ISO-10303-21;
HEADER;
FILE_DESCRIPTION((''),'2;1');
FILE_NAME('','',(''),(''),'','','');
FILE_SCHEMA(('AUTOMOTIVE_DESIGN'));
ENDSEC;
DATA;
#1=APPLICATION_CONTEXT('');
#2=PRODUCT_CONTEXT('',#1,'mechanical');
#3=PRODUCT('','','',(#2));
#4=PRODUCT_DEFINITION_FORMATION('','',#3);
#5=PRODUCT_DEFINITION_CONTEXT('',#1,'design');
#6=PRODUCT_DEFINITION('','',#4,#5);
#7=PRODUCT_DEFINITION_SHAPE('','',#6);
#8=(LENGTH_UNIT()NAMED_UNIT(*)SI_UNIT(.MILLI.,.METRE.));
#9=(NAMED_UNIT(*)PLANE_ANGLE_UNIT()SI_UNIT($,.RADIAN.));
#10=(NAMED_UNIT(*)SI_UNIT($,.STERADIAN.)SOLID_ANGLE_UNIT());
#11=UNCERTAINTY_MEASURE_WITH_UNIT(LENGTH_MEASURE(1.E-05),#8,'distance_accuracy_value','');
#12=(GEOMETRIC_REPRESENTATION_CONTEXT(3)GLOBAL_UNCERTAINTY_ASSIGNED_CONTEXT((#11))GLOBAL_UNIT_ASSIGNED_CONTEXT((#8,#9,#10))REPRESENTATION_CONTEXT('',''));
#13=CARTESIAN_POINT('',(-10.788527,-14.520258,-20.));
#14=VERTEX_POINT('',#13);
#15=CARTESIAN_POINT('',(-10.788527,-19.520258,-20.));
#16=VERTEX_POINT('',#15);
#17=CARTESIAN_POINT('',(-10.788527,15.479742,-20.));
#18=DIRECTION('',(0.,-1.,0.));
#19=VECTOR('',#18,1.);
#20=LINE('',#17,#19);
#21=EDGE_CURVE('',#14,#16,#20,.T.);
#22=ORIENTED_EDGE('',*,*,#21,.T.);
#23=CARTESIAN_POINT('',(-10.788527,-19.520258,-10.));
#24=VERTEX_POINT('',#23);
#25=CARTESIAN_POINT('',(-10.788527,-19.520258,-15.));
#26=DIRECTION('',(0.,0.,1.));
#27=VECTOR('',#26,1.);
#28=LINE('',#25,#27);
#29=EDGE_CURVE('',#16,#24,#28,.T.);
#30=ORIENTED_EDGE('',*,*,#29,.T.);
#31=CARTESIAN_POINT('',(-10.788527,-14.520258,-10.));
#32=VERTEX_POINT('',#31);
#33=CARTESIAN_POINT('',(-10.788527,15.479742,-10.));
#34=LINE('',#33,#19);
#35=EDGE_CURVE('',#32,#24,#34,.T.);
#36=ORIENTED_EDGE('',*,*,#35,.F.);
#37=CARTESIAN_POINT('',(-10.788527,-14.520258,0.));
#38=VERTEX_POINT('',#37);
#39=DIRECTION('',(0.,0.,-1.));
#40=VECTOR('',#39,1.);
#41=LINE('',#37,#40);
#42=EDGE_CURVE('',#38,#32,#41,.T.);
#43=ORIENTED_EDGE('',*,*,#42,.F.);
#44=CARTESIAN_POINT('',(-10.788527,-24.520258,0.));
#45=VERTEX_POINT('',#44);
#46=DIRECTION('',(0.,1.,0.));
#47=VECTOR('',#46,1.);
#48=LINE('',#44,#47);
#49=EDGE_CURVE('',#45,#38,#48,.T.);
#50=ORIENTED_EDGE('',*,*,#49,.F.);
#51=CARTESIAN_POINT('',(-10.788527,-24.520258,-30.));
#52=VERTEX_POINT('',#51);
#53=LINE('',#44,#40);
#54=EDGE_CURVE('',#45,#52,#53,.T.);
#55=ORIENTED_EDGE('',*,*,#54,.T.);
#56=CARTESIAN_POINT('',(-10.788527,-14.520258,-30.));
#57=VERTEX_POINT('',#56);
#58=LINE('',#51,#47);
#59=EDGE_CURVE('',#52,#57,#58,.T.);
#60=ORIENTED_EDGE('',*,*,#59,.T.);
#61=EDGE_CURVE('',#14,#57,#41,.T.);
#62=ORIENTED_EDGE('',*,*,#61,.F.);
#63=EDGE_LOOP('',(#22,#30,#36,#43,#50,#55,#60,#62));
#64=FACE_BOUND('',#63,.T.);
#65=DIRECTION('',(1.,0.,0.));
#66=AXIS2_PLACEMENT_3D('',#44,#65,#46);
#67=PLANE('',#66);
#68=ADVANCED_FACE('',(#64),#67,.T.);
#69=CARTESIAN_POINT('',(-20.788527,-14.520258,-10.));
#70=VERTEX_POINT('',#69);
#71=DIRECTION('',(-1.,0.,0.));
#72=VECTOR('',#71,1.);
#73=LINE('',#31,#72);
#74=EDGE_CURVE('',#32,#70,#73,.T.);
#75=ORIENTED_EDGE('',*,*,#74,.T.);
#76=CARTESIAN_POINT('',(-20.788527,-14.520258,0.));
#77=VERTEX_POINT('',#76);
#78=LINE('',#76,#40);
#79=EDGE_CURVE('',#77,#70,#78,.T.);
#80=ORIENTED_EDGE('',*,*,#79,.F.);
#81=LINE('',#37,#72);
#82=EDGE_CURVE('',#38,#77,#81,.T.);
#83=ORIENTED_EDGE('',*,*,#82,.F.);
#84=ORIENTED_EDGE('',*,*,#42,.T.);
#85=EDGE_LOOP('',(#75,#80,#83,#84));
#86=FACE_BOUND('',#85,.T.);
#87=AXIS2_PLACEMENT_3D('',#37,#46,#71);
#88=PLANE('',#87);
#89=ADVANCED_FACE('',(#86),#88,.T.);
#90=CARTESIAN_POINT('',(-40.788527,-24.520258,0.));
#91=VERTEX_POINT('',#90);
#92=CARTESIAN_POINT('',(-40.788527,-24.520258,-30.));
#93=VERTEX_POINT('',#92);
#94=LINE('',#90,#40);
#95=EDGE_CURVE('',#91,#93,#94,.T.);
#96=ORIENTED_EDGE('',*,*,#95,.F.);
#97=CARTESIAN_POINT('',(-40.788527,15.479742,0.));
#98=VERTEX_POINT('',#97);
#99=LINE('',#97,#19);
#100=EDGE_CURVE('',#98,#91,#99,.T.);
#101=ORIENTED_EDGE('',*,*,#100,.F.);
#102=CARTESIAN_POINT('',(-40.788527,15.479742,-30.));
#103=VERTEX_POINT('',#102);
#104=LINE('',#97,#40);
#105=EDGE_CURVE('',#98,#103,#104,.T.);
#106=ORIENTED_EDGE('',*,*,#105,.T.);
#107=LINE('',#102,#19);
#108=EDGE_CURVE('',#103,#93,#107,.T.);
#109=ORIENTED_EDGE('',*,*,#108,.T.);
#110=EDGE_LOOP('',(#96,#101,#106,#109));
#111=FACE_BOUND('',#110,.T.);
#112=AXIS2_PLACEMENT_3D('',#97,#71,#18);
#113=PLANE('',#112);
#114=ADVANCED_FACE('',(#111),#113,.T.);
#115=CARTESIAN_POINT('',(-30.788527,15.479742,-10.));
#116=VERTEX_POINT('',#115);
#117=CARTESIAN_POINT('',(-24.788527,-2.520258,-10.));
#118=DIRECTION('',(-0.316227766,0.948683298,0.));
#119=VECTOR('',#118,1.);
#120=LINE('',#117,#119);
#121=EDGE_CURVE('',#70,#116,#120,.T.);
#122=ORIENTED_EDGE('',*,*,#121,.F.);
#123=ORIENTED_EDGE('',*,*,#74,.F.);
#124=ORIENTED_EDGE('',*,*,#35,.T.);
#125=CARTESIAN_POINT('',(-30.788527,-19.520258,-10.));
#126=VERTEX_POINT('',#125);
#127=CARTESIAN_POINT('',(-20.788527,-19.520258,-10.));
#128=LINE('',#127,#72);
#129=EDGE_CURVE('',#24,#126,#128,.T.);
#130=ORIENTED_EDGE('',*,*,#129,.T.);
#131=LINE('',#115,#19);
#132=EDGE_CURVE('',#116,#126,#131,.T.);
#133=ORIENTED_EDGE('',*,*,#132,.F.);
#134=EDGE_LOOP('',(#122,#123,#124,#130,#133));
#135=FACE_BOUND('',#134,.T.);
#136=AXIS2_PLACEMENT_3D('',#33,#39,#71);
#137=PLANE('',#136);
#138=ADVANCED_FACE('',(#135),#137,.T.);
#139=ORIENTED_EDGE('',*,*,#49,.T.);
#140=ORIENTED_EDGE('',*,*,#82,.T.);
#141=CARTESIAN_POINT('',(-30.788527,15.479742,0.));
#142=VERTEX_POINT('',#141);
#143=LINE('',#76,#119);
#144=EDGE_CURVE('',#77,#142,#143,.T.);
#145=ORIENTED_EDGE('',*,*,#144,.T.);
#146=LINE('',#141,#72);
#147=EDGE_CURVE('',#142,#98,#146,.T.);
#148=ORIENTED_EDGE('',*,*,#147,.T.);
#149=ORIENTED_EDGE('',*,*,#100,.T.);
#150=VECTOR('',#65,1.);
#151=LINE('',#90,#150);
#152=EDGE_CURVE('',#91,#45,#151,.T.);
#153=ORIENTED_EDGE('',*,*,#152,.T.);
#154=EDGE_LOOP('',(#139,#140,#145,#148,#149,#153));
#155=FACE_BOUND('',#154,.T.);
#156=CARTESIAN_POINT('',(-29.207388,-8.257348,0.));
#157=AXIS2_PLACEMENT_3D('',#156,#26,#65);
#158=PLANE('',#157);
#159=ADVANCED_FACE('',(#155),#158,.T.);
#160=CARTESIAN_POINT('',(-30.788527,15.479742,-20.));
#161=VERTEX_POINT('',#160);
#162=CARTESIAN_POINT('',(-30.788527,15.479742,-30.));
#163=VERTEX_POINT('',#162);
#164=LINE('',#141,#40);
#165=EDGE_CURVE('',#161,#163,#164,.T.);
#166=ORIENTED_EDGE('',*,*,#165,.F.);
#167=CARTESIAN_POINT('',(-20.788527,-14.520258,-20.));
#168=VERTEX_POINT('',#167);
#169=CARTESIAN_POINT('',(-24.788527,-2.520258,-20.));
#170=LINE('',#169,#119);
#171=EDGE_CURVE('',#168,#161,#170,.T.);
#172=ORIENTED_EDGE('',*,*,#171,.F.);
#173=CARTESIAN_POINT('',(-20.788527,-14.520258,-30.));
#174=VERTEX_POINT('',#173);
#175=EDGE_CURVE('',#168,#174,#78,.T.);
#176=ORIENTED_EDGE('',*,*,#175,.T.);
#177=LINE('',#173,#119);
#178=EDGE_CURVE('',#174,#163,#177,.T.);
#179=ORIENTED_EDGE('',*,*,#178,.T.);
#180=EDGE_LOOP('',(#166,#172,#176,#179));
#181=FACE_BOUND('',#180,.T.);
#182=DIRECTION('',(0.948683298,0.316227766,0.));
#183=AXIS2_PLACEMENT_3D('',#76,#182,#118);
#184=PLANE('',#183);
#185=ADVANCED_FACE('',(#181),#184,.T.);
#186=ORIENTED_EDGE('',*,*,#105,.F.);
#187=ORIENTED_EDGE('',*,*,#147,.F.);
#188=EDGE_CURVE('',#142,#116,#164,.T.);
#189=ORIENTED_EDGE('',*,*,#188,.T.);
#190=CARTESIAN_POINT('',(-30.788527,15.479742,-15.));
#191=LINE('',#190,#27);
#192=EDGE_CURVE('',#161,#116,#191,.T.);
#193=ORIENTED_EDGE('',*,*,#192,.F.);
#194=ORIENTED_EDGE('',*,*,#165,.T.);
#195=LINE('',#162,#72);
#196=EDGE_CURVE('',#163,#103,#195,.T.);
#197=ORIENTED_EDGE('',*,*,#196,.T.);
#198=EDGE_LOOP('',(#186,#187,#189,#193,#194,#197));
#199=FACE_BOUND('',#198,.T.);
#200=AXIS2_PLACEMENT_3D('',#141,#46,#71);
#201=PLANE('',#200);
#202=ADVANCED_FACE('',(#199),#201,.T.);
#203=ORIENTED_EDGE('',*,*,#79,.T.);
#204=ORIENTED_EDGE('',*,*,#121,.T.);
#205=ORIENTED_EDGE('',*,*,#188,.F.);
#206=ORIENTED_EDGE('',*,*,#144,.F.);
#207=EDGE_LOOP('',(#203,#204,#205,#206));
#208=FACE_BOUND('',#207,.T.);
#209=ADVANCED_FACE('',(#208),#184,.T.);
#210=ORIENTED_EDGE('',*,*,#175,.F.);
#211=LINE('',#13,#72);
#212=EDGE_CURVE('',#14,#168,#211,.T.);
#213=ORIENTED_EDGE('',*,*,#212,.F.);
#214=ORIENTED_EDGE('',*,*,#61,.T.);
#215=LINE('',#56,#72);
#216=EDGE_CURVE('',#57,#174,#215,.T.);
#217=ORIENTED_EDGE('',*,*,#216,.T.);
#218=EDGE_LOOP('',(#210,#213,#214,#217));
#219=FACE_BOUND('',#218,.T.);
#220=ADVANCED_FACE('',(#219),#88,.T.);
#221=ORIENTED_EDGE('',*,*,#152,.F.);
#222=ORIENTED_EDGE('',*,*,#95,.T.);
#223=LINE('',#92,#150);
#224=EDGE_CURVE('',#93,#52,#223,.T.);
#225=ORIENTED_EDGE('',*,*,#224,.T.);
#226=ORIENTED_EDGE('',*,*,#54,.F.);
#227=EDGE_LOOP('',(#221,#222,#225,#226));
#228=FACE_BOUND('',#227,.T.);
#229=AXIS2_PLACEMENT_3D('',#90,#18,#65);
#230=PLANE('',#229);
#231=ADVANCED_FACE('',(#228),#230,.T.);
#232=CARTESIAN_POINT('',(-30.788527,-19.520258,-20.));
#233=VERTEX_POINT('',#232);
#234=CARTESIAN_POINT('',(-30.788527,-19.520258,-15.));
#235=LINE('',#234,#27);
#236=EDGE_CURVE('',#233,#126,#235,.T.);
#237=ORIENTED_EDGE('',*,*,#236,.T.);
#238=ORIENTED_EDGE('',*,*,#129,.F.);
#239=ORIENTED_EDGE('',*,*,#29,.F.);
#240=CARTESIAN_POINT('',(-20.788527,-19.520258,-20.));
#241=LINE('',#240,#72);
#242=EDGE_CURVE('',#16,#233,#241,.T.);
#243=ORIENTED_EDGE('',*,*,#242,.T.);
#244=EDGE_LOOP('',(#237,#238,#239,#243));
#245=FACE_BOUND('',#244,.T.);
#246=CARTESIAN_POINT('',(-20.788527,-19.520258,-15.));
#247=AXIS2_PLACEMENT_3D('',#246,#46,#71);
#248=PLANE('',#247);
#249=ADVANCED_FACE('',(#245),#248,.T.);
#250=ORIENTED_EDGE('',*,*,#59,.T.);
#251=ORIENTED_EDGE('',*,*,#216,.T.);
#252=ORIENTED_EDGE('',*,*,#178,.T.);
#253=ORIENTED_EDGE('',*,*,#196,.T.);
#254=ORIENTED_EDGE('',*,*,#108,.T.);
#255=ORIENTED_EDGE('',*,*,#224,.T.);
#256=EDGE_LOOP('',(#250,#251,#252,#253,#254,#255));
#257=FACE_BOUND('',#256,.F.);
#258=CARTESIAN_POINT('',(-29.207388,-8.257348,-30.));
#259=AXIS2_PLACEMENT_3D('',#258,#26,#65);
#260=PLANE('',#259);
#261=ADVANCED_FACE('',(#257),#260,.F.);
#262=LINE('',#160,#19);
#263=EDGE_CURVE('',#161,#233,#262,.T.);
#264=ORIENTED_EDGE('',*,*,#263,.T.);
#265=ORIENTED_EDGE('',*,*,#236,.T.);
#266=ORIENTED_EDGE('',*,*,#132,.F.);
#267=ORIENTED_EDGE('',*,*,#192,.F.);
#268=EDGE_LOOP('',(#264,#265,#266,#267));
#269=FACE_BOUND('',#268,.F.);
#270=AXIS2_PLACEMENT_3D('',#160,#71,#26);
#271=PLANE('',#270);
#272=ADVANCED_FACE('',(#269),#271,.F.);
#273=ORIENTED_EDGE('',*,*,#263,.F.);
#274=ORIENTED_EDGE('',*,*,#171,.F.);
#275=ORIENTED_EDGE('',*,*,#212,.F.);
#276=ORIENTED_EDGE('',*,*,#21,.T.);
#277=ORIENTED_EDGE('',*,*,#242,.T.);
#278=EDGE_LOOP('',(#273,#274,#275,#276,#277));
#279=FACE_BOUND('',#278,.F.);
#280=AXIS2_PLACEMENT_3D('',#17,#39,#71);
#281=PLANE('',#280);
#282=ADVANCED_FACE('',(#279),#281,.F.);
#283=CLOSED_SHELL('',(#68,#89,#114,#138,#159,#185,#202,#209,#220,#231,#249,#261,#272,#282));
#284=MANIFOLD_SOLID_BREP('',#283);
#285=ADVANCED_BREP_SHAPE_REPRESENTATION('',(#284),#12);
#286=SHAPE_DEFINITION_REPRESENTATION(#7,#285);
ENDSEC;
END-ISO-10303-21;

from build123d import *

# Parameters (mm, degrees)
F1_DEPTH = 30
F2_W     = 20
F2_H     = 10
F3_DEPTH = 35


with BuildPart() as f1:
    # F0 (on Top) → F1 (new body)
    with BuildSketch(Plane.XY):
        Polygon((-40.788527, 15.479742), (-40.788527, -24.520258), (-10.788527, -24.520258), (-10.788527, -14.520258), (-20.788527, -14.520258), (-30.788527, 15.479742), align=None)
    extrude(amount=-F1_DEPTH)

    # F2 (on face) → F3 (cut)
    with BuildSketch(Plane(origin=(0, 15.479742, 0), x_dir=(-1, 0, 0), z_dir=(0, 1, 0))):
        with Locations((20.788527, -15)):
            Rectangle(F2_W, F2_H)
    extrude(amount=-F3_DEPTH, mode=Mode.SUBTRACT)


solid = f1.part
